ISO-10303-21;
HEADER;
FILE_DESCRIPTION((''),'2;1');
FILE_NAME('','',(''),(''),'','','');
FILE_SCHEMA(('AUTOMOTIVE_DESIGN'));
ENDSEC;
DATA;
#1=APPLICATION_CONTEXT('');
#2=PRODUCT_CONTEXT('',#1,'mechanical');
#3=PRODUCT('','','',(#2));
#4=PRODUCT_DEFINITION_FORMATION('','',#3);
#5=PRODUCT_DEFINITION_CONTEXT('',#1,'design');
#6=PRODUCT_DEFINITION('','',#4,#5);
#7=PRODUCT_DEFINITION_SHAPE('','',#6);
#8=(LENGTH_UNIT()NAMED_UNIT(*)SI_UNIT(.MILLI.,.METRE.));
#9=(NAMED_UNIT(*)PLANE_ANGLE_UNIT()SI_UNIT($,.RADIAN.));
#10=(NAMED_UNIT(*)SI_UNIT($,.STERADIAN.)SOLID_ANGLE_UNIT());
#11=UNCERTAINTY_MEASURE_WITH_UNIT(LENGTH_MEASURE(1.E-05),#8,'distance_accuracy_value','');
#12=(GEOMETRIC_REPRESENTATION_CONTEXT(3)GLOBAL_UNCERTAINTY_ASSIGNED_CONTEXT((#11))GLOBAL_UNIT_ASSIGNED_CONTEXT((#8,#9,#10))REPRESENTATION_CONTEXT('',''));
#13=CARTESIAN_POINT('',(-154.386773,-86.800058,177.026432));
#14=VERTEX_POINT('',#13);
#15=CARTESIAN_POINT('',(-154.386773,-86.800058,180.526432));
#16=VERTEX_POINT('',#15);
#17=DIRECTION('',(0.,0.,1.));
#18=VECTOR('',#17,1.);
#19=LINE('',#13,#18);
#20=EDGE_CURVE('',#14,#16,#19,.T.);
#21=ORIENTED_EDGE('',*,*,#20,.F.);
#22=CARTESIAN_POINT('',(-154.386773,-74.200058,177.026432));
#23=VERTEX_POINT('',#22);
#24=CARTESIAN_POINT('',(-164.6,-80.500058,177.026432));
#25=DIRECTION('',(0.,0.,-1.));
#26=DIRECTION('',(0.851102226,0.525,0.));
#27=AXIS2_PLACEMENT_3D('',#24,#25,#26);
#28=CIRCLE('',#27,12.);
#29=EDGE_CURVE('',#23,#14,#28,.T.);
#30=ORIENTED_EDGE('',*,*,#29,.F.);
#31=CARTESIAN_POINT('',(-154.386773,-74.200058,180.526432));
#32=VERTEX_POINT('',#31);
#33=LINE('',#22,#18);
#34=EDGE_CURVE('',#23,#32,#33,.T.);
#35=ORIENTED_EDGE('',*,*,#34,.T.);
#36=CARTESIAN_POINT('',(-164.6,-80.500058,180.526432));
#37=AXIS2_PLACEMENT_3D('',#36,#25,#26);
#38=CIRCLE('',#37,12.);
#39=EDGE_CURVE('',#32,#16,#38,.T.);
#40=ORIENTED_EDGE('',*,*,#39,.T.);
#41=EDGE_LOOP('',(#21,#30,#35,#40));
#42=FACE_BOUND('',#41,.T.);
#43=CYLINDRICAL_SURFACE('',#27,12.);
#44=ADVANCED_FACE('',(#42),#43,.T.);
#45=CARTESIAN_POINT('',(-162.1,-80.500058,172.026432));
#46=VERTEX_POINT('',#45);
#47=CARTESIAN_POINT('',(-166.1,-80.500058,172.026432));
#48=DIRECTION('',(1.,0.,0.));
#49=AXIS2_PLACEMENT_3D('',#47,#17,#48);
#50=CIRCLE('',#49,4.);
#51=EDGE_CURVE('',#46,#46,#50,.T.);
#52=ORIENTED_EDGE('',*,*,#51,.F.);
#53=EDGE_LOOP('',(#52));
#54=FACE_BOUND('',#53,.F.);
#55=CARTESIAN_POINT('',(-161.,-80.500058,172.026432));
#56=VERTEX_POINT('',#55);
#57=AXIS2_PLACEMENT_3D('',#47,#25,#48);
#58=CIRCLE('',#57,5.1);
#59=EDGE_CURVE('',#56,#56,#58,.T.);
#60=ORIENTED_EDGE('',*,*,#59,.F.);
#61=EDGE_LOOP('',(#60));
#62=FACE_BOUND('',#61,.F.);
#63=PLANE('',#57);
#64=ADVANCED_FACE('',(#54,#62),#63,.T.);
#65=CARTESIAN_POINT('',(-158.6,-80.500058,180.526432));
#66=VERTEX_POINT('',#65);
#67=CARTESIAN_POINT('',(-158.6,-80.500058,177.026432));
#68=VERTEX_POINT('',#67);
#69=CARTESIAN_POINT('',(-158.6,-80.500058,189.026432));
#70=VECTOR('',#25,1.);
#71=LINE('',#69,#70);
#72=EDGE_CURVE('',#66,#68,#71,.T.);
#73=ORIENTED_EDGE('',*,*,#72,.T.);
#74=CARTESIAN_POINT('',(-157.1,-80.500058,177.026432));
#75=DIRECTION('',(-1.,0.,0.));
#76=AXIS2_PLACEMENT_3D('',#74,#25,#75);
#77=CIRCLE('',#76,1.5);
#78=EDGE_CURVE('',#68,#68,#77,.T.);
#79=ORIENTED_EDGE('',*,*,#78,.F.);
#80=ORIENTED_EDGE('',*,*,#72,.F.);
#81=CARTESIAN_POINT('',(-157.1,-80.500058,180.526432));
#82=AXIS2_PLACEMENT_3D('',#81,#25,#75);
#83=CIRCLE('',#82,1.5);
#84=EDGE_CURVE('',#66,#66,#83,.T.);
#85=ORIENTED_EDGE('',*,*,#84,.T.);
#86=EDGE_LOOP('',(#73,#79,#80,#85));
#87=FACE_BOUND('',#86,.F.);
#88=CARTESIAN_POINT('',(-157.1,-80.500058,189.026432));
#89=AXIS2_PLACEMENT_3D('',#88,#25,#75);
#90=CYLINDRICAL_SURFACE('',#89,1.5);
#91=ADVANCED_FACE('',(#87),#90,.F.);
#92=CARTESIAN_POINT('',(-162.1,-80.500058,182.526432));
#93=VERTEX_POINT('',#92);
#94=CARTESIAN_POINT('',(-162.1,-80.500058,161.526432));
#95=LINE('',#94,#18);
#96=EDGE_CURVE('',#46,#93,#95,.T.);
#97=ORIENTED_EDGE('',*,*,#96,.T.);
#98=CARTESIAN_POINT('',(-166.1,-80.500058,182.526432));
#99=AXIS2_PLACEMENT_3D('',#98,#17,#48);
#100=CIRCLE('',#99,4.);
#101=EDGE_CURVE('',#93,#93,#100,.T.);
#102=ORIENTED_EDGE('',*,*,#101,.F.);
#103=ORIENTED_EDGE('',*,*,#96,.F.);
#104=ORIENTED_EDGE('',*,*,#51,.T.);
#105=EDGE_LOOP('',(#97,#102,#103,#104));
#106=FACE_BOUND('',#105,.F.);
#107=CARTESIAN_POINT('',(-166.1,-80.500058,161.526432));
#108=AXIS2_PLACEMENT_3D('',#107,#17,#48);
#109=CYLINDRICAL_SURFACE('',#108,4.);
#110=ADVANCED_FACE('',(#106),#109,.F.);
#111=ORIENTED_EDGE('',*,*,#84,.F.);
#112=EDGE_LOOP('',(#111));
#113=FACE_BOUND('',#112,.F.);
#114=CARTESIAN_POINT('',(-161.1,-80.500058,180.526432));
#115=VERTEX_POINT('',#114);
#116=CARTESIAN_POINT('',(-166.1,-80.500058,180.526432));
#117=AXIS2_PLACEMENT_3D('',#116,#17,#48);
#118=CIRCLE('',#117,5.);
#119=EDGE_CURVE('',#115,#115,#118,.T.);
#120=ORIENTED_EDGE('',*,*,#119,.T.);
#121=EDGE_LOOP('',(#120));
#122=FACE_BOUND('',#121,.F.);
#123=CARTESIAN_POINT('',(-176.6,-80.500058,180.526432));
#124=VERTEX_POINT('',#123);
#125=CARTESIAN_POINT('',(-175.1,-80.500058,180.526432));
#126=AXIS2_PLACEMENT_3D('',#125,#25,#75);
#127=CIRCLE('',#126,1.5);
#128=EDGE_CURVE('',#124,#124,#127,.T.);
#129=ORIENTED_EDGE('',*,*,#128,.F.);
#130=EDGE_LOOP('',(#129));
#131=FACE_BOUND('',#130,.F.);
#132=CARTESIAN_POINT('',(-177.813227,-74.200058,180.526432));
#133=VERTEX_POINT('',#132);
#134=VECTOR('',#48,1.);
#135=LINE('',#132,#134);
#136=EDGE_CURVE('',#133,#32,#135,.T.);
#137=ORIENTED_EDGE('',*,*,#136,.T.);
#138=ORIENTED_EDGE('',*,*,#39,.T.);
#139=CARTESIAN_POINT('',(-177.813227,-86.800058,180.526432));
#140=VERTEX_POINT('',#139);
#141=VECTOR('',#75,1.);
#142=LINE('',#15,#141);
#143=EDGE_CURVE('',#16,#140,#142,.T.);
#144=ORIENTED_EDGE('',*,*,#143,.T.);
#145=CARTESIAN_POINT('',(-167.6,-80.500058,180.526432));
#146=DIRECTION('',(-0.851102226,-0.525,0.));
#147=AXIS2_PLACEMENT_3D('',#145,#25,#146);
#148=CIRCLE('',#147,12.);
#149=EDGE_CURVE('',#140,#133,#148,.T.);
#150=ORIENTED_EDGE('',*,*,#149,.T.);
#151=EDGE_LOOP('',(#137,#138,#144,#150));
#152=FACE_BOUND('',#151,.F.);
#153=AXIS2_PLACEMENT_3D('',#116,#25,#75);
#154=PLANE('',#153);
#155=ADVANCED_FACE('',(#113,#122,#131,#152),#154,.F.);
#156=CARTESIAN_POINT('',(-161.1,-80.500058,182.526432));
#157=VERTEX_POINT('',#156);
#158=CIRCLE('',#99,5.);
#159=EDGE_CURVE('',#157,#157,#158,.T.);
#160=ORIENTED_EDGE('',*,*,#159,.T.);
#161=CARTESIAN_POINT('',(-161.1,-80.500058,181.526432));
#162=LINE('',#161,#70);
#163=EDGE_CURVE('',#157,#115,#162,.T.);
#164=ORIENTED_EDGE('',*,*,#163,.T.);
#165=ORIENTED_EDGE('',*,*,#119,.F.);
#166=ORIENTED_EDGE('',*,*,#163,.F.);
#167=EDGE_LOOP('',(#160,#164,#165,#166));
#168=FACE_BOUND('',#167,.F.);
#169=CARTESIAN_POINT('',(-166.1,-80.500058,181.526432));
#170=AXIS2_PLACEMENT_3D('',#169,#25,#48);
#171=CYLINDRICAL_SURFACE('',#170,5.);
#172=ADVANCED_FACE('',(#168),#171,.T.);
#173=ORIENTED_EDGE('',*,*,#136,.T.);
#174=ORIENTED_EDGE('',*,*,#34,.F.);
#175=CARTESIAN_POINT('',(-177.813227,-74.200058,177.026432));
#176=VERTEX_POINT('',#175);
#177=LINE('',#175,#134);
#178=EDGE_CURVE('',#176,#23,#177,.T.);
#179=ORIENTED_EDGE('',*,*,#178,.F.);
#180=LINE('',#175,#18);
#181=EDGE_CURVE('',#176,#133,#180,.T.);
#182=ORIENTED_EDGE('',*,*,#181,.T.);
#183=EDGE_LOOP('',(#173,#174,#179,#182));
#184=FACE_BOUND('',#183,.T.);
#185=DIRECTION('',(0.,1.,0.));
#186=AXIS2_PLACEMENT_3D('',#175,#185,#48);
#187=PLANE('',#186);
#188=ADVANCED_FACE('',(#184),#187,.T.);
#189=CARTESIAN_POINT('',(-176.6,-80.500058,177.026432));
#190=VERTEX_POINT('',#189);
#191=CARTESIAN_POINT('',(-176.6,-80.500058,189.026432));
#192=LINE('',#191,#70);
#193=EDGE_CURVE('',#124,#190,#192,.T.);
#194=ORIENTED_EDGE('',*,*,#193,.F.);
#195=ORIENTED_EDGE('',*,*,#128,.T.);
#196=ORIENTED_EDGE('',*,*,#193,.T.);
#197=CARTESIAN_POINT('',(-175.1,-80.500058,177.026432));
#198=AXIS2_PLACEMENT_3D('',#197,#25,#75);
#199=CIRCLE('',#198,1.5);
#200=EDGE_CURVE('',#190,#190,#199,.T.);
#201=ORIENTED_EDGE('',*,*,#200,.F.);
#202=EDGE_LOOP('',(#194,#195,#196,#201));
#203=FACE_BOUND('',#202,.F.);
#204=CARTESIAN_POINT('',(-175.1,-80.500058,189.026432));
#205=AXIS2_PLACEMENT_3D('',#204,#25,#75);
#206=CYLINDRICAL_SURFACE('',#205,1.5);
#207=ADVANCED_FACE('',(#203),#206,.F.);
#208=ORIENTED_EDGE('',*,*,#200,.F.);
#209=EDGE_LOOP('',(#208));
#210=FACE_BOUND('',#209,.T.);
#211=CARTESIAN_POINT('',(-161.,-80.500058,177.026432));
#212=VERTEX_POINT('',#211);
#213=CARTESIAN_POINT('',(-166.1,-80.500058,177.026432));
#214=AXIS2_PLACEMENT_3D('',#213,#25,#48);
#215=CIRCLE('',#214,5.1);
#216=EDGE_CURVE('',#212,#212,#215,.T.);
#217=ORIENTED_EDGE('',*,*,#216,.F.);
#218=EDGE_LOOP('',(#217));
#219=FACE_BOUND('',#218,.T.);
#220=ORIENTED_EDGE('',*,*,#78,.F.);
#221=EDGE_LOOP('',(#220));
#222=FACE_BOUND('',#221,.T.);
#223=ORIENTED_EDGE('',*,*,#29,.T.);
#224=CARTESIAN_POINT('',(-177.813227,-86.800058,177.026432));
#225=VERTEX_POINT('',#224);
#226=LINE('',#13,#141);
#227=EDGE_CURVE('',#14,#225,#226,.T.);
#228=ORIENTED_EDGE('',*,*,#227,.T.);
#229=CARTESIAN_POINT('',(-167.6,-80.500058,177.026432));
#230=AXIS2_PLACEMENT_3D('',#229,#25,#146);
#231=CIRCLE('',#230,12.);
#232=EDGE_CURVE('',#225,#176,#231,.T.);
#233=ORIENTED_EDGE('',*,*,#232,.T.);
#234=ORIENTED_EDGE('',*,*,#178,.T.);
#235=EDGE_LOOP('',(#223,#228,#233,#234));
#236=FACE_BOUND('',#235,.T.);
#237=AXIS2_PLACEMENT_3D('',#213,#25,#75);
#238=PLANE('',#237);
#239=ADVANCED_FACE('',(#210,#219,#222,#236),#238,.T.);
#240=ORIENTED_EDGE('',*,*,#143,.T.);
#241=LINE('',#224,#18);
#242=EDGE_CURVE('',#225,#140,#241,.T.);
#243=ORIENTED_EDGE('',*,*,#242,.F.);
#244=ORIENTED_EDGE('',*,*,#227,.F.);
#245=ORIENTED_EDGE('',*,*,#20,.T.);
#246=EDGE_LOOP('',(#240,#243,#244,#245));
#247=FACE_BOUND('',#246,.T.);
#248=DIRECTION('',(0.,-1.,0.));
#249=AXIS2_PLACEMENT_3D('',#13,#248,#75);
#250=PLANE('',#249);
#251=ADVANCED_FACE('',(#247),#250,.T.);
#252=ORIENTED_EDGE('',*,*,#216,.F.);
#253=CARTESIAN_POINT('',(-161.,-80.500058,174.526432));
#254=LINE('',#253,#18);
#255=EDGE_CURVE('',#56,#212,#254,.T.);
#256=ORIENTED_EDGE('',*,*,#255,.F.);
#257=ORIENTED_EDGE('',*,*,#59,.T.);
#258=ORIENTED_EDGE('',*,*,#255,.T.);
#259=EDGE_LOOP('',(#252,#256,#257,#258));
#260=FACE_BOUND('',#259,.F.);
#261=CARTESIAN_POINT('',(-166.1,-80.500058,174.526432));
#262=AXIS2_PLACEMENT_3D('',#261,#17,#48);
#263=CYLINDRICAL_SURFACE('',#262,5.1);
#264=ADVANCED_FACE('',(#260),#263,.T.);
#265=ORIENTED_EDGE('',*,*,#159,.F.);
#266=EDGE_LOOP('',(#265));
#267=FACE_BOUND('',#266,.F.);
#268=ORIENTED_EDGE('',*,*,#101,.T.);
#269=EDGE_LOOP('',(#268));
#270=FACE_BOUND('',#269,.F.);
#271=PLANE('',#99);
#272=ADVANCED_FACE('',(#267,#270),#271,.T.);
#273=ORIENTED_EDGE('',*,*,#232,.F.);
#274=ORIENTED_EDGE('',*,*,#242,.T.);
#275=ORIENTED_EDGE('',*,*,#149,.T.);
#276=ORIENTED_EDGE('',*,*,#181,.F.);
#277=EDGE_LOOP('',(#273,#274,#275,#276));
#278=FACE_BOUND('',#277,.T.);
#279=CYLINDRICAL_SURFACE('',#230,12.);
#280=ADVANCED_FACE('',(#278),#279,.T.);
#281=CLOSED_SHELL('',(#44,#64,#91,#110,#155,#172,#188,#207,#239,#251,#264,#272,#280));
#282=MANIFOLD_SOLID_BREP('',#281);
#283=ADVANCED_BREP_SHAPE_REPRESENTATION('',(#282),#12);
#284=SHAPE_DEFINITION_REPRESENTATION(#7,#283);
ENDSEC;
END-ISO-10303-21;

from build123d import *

# Parameters (mm, degrees)
BOSS_EXTRUDE1_DEPTH          = 3.5
SKETCH2_W                    = 5
SKETCH2_H                    = 2
SKETCH3_W                    = 5.1
SKETCH3_H                    = 5
F_3_0_3_DIAMETER_HOLE1_D     = 3
F_3_0_3_DIAMETER_HOLE1_DEPTH = 8.5
F_8_0_8_DIAMETER_HOLE1_D     = 8
F_8_0_8_DIAMETER_HOLE1_DEPTH = 10.5


with BuildPart() as part:
    # Sketch1 → Boss-Extrude1 (new body)
    with BuildSketch(Plane(origin=(0, 0, 177.026431985), x_dir=(-1, 0, 0), z_dir=(0, 0, -1))):
        with BuildLine():
            Line((177.813226718, -74.200057886), (154.386773282, -74.200057886))
            ThreePointArc((154.386773282, -74.200057886), (152.6, -80.500057886), (154.386773282, -86.800057886))
            Line((154.386773282, -86.800057886), (177.813226718, -86.800057886))
            ThreePointArc((177.813226718, -86.800057886), (179.6, -80.500057886), (177.813226718, -74.200057886))
        make_face()
    extrude(amount=-BOSS_EXTRUDE1_DEPTH)

    # Sketch2 → Revolve1 (revolve)
    with BuildSketch(Plane(origin=(0, -80.500057886, 0), x_dir=(1, 0, 0), z_dir=(0, 1, 0))):
        with Locations((-163.6, -181.526431985)):
            Rectangle(SKETCH2_W, SKETCH2_H)
    revolve(axis=Axis((-166.1, -80.500057886, 180.526431985), (0, 0, 1)))

    # Sketch3 → Revolve2 (revolve)
    with BuildSketch(Plane.XZ.offset(80.500057886)):
        with Locations((-163.55, 174.526431985)):
            Rectangle(SKETCH3_W, SKETCH3_H)
    revolve(axis=Axis((-166.1, -80.500057886, 177.026431985), (0, 0, -1)))

    # Ø3.0 (3) Diameter Hole1
    with Locations(Plane.XY.offset(180.526431985)):
        with Locations((-157.1, -80.500057886), (-175.1, -80.500057886)):
            Hole(F_3_0_3_DIAMETER_HOLE1_D / 2, depth=F_3_0_3_DIAMETER_HOLE1_DEPTH)

    # Ø8.0 (8) Diameter Hole1
    with Locations(Plane(origin=(0, 0, 172.026431985), x_dir=(-1, 0, 0), z_dir=(0, 0, -1))):
        with Locations((166.1, -80.500057886)):
            Hole(F_8_0_8_DIAMETER_HOLE1_D / 2, depth=F_8_0_8_DIAMETER_HOLE1_DEPTH)


solid = part.part
